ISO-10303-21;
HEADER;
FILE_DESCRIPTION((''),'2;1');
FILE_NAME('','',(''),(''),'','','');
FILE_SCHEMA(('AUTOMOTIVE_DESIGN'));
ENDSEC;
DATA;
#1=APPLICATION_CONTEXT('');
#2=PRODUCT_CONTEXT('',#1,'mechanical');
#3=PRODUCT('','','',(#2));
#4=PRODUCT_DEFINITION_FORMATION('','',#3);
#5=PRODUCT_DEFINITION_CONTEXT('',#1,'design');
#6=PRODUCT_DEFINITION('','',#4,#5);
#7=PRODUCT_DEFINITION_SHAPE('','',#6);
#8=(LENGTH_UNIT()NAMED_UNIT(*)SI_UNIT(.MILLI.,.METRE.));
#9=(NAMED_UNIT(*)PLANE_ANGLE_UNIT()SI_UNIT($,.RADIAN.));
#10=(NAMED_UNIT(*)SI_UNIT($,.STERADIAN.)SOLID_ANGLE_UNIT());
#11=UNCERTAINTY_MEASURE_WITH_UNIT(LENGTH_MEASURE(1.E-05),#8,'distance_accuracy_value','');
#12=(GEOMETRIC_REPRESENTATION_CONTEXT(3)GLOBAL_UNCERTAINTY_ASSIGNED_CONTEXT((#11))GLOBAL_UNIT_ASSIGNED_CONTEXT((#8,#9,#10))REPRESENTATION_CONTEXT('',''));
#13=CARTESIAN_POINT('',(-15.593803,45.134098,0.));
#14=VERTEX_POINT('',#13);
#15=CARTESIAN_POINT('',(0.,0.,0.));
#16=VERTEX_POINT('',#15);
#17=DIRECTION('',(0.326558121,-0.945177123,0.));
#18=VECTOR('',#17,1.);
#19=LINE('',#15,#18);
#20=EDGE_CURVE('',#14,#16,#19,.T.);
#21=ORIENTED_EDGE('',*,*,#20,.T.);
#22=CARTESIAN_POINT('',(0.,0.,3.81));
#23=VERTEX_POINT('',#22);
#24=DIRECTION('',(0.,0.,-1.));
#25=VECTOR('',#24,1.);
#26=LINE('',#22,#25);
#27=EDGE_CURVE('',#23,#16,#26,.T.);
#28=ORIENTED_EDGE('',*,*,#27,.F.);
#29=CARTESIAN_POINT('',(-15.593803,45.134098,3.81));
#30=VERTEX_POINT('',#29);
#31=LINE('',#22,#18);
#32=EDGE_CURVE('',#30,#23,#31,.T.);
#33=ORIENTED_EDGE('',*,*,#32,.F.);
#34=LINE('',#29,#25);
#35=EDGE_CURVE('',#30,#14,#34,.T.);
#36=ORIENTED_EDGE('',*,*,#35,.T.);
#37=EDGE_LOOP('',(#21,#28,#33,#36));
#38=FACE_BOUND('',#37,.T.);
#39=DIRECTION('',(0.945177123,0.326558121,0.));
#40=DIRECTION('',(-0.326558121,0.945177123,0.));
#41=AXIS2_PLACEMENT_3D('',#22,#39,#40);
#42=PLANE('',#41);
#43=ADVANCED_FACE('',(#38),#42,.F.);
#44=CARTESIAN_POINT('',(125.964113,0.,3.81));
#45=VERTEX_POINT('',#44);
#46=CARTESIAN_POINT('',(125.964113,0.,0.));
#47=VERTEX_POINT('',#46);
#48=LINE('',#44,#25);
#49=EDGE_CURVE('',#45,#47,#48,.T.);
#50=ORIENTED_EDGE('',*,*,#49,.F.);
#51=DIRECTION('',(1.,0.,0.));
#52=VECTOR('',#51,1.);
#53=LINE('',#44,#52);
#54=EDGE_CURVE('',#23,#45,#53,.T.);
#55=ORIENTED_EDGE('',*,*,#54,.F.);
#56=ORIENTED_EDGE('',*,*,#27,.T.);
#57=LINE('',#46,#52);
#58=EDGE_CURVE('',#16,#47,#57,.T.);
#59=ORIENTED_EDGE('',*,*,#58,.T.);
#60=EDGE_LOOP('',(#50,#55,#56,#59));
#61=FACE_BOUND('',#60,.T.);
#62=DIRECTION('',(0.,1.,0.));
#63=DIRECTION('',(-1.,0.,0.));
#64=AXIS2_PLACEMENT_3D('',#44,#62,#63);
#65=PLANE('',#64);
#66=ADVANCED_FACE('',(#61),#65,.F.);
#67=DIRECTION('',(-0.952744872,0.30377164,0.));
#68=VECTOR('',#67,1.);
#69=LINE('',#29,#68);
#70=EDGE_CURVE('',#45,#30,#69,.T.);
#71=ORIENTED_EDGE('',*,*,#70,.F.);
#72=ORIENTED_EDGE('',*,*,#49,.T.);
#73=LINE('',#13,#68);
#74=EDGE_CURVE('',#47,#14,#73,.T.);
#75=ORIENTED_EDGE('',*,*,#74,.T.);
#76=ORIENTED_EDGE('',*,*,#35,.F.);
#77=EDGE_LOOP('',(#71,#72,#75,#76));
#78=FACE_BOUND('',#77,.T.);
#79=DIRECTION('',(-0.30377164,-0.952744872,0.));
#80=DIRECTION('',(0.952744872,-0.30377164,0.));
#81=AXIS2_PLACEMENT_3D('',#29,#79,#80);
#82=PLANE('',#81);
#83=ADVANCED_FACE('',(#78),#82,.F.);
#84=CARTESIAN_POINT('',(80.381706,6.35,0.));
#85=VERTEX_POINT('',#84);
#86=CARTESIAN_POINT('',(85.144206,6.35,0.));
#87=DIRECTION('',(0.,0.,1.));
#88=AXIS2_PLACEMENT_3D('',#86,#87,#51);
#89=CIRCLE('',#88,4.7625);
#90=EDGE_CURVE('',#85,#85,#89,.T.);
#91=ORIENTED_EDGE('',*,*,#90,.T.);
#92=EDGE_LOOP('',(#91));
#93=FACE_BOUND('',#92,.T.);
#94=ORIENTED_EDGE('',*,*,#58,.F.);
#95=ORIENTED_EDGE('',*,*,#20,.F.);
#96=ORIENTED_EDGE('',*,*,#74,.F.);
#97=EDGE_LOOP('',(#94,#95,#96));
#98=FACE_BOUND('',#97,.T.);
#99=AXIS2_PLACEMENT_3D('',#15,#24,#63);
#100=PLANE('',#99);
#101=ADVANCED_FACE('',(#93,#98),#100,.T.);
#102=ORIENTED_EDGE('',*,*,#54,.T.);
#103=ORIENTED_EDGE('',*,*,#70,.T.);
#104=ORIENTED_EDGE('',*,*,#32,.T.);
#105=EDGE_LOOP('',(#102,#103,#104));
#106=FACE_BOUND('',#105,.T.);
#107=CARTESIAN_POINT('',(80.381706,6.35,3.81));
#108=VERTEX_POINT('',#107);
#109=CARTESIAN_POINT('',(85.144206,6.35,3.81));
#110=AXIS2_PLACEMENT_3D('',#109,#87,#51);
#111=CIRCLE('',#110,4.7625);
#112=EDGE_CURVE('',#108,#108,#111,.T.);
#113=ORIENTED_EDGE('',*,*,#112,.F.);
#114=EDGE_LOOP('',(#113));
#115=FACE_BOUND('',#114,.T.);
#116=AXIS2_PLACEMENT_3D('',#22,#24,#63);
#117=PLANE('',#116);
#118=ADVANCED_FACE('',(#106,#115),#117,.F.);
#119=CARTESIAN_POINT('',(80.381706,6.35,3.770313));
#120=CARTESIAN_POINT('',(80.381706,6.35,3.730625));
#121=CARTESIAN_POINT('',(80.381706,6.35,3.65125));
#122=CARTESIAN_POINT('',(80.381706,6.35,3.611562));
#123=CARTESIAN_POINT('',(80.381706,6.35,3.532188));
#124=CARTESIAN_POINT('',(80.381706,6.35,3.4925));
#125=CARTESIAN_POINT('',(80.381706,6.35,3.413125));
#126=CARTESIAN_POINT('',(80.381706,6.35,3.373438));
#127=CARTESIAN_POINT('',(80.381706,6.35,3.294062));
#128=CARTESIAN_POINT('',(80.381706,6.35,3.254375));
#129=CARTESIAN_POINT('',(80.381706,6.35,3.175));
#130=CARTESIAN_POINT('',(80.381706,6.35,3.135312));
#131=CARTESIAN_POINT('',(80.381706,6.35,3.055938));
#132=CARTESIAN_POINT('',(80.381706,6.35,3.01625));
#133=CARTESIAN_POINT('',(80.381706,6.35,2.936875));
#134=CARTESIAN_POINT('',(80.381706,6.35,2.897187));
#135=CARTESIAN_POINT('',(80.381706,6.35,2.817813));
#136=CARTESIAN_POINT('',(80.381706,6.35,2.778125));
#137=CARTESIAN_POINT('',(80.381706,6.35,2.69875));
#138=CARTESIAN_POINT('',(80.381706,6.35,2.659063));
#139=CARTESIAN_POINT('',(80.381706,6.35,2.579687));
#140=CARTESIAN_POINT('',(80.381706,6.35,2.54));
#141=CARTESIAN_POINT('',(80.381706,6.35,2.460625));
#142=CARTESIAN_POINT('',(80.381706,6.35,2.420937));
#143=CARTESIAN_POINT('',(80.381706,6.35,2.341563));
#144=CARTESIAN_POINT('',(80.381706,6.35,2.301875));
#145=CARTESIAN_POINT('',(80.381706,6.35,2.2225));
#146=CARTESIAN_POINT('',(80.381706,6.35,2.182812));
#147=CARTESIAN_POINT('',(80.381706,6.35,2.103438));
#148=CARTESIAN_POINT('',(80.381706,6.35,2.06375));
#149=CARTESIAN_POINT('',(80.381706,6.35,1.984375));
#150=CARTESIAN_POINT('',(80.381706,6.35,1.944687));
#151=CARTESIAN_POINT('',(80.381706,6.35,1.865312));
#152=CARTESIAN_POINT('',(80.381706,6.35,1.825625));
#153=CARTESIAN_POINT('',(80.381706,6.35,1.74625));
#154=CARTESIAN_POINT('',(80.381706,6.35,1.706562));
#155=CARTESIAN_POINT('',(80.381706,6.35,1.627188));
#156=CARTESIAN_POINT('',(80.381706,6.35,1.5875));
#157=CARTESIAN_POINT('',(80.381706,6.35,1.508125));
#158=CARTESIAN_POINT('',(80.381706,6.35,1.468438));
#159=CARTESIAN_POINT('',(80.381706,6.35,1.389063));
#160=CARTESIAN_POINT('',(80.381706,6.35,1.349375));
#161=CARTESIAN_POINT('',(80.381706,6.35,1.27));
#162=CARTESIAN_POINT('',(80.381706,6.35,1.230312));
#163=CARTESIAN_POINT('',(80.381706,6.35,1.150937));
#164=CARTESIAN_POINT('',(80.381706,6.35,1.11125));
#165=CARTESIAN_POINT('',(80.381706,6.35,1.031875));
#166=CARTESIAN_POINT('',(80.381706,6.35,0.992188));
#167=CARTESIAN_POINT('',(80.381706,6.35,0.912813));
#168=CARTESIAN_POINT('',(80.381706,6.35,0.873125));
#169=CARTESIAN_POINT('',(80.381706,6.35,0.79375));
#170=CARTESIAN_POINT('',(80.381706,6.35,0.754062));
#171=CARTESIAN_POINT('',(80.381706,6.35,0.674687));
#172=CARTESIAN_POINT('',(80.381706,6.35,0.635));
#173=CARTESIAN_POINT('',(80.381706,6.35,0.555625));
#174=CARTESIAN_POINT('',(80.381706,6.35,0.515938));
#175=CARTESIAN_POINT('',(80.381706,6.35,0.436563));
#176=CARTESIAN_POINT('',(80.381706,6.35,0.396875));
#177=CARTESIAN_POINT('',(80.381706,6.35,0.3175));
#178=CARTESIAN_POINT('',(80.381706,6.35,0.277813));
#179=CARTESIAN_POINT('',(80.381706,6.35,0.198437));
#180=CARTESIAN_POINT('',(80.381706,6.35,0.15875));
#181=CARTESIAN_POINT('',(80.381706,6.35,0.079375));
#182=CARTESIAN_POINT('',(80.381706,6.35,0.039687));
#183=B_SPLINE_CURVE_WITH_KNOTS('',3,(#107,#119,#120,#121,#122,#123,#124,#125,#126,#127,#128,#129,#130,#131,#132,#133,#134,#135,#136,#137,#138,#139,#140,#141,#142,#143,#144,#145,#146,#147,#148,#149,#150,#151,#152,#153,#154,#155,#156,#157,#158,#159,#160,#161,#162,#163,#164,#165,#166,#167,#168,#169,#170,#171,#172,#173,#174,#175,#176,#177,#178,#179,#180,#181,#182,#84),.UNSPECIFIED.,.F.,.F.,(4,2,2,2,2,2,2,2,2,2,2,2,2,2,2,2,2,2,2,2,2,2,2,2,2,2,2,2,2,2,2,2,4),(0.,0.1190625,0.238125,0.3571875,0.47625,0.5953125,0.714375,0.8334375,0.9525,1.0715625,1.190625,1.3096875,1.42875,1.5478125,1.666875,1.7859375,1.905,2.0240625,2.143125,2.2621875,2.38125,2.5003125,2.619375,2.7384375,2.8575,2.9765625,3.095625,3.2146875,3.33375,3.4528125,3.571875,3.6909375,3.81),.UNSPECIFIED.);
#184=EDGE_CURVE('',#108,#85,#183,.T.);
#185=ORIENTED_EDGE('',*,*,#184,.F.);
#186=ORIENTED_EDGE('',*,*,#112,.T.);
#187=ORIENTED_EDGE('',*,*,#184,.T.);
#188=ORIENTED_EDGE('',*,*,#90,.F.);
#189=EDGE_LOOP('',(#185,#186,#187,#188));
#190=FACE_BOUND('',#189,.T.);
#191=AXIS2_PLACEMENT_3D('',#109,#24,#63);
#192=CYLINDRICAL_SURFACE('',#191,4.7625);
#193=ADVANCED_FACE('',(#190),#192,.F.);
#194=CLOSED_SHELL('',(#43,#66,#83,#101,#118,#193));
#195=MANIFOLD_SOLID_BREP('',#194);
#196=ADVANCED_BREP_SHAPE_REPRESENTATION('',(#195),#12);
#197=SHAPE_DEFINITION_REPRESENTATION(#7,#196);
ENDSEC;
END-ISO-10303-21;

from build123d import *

# Parameters (mm, degrees)
SKETCH1_R           = 4.7625
BOSS_EXTRUDE1_DEPTH = 3.81


with BuildPart() as part:
    # Sketch1 → Boss-Extrude1 (new body)
    with BuildSketch(Plane.XY):
        Polygon((0, 0), (-15.59380337, 45.13409798), (125.964112688, 0), align=None)
        with Locations(Location((85.144206279, 6.35, 0), (0, 0, 180))):
            Circle(SKETCH1_R, mode=Mode.SUBTRACT)
    extrude(amount=BOSS_EXTRUDE1_DEPTH)


solid = part.part
